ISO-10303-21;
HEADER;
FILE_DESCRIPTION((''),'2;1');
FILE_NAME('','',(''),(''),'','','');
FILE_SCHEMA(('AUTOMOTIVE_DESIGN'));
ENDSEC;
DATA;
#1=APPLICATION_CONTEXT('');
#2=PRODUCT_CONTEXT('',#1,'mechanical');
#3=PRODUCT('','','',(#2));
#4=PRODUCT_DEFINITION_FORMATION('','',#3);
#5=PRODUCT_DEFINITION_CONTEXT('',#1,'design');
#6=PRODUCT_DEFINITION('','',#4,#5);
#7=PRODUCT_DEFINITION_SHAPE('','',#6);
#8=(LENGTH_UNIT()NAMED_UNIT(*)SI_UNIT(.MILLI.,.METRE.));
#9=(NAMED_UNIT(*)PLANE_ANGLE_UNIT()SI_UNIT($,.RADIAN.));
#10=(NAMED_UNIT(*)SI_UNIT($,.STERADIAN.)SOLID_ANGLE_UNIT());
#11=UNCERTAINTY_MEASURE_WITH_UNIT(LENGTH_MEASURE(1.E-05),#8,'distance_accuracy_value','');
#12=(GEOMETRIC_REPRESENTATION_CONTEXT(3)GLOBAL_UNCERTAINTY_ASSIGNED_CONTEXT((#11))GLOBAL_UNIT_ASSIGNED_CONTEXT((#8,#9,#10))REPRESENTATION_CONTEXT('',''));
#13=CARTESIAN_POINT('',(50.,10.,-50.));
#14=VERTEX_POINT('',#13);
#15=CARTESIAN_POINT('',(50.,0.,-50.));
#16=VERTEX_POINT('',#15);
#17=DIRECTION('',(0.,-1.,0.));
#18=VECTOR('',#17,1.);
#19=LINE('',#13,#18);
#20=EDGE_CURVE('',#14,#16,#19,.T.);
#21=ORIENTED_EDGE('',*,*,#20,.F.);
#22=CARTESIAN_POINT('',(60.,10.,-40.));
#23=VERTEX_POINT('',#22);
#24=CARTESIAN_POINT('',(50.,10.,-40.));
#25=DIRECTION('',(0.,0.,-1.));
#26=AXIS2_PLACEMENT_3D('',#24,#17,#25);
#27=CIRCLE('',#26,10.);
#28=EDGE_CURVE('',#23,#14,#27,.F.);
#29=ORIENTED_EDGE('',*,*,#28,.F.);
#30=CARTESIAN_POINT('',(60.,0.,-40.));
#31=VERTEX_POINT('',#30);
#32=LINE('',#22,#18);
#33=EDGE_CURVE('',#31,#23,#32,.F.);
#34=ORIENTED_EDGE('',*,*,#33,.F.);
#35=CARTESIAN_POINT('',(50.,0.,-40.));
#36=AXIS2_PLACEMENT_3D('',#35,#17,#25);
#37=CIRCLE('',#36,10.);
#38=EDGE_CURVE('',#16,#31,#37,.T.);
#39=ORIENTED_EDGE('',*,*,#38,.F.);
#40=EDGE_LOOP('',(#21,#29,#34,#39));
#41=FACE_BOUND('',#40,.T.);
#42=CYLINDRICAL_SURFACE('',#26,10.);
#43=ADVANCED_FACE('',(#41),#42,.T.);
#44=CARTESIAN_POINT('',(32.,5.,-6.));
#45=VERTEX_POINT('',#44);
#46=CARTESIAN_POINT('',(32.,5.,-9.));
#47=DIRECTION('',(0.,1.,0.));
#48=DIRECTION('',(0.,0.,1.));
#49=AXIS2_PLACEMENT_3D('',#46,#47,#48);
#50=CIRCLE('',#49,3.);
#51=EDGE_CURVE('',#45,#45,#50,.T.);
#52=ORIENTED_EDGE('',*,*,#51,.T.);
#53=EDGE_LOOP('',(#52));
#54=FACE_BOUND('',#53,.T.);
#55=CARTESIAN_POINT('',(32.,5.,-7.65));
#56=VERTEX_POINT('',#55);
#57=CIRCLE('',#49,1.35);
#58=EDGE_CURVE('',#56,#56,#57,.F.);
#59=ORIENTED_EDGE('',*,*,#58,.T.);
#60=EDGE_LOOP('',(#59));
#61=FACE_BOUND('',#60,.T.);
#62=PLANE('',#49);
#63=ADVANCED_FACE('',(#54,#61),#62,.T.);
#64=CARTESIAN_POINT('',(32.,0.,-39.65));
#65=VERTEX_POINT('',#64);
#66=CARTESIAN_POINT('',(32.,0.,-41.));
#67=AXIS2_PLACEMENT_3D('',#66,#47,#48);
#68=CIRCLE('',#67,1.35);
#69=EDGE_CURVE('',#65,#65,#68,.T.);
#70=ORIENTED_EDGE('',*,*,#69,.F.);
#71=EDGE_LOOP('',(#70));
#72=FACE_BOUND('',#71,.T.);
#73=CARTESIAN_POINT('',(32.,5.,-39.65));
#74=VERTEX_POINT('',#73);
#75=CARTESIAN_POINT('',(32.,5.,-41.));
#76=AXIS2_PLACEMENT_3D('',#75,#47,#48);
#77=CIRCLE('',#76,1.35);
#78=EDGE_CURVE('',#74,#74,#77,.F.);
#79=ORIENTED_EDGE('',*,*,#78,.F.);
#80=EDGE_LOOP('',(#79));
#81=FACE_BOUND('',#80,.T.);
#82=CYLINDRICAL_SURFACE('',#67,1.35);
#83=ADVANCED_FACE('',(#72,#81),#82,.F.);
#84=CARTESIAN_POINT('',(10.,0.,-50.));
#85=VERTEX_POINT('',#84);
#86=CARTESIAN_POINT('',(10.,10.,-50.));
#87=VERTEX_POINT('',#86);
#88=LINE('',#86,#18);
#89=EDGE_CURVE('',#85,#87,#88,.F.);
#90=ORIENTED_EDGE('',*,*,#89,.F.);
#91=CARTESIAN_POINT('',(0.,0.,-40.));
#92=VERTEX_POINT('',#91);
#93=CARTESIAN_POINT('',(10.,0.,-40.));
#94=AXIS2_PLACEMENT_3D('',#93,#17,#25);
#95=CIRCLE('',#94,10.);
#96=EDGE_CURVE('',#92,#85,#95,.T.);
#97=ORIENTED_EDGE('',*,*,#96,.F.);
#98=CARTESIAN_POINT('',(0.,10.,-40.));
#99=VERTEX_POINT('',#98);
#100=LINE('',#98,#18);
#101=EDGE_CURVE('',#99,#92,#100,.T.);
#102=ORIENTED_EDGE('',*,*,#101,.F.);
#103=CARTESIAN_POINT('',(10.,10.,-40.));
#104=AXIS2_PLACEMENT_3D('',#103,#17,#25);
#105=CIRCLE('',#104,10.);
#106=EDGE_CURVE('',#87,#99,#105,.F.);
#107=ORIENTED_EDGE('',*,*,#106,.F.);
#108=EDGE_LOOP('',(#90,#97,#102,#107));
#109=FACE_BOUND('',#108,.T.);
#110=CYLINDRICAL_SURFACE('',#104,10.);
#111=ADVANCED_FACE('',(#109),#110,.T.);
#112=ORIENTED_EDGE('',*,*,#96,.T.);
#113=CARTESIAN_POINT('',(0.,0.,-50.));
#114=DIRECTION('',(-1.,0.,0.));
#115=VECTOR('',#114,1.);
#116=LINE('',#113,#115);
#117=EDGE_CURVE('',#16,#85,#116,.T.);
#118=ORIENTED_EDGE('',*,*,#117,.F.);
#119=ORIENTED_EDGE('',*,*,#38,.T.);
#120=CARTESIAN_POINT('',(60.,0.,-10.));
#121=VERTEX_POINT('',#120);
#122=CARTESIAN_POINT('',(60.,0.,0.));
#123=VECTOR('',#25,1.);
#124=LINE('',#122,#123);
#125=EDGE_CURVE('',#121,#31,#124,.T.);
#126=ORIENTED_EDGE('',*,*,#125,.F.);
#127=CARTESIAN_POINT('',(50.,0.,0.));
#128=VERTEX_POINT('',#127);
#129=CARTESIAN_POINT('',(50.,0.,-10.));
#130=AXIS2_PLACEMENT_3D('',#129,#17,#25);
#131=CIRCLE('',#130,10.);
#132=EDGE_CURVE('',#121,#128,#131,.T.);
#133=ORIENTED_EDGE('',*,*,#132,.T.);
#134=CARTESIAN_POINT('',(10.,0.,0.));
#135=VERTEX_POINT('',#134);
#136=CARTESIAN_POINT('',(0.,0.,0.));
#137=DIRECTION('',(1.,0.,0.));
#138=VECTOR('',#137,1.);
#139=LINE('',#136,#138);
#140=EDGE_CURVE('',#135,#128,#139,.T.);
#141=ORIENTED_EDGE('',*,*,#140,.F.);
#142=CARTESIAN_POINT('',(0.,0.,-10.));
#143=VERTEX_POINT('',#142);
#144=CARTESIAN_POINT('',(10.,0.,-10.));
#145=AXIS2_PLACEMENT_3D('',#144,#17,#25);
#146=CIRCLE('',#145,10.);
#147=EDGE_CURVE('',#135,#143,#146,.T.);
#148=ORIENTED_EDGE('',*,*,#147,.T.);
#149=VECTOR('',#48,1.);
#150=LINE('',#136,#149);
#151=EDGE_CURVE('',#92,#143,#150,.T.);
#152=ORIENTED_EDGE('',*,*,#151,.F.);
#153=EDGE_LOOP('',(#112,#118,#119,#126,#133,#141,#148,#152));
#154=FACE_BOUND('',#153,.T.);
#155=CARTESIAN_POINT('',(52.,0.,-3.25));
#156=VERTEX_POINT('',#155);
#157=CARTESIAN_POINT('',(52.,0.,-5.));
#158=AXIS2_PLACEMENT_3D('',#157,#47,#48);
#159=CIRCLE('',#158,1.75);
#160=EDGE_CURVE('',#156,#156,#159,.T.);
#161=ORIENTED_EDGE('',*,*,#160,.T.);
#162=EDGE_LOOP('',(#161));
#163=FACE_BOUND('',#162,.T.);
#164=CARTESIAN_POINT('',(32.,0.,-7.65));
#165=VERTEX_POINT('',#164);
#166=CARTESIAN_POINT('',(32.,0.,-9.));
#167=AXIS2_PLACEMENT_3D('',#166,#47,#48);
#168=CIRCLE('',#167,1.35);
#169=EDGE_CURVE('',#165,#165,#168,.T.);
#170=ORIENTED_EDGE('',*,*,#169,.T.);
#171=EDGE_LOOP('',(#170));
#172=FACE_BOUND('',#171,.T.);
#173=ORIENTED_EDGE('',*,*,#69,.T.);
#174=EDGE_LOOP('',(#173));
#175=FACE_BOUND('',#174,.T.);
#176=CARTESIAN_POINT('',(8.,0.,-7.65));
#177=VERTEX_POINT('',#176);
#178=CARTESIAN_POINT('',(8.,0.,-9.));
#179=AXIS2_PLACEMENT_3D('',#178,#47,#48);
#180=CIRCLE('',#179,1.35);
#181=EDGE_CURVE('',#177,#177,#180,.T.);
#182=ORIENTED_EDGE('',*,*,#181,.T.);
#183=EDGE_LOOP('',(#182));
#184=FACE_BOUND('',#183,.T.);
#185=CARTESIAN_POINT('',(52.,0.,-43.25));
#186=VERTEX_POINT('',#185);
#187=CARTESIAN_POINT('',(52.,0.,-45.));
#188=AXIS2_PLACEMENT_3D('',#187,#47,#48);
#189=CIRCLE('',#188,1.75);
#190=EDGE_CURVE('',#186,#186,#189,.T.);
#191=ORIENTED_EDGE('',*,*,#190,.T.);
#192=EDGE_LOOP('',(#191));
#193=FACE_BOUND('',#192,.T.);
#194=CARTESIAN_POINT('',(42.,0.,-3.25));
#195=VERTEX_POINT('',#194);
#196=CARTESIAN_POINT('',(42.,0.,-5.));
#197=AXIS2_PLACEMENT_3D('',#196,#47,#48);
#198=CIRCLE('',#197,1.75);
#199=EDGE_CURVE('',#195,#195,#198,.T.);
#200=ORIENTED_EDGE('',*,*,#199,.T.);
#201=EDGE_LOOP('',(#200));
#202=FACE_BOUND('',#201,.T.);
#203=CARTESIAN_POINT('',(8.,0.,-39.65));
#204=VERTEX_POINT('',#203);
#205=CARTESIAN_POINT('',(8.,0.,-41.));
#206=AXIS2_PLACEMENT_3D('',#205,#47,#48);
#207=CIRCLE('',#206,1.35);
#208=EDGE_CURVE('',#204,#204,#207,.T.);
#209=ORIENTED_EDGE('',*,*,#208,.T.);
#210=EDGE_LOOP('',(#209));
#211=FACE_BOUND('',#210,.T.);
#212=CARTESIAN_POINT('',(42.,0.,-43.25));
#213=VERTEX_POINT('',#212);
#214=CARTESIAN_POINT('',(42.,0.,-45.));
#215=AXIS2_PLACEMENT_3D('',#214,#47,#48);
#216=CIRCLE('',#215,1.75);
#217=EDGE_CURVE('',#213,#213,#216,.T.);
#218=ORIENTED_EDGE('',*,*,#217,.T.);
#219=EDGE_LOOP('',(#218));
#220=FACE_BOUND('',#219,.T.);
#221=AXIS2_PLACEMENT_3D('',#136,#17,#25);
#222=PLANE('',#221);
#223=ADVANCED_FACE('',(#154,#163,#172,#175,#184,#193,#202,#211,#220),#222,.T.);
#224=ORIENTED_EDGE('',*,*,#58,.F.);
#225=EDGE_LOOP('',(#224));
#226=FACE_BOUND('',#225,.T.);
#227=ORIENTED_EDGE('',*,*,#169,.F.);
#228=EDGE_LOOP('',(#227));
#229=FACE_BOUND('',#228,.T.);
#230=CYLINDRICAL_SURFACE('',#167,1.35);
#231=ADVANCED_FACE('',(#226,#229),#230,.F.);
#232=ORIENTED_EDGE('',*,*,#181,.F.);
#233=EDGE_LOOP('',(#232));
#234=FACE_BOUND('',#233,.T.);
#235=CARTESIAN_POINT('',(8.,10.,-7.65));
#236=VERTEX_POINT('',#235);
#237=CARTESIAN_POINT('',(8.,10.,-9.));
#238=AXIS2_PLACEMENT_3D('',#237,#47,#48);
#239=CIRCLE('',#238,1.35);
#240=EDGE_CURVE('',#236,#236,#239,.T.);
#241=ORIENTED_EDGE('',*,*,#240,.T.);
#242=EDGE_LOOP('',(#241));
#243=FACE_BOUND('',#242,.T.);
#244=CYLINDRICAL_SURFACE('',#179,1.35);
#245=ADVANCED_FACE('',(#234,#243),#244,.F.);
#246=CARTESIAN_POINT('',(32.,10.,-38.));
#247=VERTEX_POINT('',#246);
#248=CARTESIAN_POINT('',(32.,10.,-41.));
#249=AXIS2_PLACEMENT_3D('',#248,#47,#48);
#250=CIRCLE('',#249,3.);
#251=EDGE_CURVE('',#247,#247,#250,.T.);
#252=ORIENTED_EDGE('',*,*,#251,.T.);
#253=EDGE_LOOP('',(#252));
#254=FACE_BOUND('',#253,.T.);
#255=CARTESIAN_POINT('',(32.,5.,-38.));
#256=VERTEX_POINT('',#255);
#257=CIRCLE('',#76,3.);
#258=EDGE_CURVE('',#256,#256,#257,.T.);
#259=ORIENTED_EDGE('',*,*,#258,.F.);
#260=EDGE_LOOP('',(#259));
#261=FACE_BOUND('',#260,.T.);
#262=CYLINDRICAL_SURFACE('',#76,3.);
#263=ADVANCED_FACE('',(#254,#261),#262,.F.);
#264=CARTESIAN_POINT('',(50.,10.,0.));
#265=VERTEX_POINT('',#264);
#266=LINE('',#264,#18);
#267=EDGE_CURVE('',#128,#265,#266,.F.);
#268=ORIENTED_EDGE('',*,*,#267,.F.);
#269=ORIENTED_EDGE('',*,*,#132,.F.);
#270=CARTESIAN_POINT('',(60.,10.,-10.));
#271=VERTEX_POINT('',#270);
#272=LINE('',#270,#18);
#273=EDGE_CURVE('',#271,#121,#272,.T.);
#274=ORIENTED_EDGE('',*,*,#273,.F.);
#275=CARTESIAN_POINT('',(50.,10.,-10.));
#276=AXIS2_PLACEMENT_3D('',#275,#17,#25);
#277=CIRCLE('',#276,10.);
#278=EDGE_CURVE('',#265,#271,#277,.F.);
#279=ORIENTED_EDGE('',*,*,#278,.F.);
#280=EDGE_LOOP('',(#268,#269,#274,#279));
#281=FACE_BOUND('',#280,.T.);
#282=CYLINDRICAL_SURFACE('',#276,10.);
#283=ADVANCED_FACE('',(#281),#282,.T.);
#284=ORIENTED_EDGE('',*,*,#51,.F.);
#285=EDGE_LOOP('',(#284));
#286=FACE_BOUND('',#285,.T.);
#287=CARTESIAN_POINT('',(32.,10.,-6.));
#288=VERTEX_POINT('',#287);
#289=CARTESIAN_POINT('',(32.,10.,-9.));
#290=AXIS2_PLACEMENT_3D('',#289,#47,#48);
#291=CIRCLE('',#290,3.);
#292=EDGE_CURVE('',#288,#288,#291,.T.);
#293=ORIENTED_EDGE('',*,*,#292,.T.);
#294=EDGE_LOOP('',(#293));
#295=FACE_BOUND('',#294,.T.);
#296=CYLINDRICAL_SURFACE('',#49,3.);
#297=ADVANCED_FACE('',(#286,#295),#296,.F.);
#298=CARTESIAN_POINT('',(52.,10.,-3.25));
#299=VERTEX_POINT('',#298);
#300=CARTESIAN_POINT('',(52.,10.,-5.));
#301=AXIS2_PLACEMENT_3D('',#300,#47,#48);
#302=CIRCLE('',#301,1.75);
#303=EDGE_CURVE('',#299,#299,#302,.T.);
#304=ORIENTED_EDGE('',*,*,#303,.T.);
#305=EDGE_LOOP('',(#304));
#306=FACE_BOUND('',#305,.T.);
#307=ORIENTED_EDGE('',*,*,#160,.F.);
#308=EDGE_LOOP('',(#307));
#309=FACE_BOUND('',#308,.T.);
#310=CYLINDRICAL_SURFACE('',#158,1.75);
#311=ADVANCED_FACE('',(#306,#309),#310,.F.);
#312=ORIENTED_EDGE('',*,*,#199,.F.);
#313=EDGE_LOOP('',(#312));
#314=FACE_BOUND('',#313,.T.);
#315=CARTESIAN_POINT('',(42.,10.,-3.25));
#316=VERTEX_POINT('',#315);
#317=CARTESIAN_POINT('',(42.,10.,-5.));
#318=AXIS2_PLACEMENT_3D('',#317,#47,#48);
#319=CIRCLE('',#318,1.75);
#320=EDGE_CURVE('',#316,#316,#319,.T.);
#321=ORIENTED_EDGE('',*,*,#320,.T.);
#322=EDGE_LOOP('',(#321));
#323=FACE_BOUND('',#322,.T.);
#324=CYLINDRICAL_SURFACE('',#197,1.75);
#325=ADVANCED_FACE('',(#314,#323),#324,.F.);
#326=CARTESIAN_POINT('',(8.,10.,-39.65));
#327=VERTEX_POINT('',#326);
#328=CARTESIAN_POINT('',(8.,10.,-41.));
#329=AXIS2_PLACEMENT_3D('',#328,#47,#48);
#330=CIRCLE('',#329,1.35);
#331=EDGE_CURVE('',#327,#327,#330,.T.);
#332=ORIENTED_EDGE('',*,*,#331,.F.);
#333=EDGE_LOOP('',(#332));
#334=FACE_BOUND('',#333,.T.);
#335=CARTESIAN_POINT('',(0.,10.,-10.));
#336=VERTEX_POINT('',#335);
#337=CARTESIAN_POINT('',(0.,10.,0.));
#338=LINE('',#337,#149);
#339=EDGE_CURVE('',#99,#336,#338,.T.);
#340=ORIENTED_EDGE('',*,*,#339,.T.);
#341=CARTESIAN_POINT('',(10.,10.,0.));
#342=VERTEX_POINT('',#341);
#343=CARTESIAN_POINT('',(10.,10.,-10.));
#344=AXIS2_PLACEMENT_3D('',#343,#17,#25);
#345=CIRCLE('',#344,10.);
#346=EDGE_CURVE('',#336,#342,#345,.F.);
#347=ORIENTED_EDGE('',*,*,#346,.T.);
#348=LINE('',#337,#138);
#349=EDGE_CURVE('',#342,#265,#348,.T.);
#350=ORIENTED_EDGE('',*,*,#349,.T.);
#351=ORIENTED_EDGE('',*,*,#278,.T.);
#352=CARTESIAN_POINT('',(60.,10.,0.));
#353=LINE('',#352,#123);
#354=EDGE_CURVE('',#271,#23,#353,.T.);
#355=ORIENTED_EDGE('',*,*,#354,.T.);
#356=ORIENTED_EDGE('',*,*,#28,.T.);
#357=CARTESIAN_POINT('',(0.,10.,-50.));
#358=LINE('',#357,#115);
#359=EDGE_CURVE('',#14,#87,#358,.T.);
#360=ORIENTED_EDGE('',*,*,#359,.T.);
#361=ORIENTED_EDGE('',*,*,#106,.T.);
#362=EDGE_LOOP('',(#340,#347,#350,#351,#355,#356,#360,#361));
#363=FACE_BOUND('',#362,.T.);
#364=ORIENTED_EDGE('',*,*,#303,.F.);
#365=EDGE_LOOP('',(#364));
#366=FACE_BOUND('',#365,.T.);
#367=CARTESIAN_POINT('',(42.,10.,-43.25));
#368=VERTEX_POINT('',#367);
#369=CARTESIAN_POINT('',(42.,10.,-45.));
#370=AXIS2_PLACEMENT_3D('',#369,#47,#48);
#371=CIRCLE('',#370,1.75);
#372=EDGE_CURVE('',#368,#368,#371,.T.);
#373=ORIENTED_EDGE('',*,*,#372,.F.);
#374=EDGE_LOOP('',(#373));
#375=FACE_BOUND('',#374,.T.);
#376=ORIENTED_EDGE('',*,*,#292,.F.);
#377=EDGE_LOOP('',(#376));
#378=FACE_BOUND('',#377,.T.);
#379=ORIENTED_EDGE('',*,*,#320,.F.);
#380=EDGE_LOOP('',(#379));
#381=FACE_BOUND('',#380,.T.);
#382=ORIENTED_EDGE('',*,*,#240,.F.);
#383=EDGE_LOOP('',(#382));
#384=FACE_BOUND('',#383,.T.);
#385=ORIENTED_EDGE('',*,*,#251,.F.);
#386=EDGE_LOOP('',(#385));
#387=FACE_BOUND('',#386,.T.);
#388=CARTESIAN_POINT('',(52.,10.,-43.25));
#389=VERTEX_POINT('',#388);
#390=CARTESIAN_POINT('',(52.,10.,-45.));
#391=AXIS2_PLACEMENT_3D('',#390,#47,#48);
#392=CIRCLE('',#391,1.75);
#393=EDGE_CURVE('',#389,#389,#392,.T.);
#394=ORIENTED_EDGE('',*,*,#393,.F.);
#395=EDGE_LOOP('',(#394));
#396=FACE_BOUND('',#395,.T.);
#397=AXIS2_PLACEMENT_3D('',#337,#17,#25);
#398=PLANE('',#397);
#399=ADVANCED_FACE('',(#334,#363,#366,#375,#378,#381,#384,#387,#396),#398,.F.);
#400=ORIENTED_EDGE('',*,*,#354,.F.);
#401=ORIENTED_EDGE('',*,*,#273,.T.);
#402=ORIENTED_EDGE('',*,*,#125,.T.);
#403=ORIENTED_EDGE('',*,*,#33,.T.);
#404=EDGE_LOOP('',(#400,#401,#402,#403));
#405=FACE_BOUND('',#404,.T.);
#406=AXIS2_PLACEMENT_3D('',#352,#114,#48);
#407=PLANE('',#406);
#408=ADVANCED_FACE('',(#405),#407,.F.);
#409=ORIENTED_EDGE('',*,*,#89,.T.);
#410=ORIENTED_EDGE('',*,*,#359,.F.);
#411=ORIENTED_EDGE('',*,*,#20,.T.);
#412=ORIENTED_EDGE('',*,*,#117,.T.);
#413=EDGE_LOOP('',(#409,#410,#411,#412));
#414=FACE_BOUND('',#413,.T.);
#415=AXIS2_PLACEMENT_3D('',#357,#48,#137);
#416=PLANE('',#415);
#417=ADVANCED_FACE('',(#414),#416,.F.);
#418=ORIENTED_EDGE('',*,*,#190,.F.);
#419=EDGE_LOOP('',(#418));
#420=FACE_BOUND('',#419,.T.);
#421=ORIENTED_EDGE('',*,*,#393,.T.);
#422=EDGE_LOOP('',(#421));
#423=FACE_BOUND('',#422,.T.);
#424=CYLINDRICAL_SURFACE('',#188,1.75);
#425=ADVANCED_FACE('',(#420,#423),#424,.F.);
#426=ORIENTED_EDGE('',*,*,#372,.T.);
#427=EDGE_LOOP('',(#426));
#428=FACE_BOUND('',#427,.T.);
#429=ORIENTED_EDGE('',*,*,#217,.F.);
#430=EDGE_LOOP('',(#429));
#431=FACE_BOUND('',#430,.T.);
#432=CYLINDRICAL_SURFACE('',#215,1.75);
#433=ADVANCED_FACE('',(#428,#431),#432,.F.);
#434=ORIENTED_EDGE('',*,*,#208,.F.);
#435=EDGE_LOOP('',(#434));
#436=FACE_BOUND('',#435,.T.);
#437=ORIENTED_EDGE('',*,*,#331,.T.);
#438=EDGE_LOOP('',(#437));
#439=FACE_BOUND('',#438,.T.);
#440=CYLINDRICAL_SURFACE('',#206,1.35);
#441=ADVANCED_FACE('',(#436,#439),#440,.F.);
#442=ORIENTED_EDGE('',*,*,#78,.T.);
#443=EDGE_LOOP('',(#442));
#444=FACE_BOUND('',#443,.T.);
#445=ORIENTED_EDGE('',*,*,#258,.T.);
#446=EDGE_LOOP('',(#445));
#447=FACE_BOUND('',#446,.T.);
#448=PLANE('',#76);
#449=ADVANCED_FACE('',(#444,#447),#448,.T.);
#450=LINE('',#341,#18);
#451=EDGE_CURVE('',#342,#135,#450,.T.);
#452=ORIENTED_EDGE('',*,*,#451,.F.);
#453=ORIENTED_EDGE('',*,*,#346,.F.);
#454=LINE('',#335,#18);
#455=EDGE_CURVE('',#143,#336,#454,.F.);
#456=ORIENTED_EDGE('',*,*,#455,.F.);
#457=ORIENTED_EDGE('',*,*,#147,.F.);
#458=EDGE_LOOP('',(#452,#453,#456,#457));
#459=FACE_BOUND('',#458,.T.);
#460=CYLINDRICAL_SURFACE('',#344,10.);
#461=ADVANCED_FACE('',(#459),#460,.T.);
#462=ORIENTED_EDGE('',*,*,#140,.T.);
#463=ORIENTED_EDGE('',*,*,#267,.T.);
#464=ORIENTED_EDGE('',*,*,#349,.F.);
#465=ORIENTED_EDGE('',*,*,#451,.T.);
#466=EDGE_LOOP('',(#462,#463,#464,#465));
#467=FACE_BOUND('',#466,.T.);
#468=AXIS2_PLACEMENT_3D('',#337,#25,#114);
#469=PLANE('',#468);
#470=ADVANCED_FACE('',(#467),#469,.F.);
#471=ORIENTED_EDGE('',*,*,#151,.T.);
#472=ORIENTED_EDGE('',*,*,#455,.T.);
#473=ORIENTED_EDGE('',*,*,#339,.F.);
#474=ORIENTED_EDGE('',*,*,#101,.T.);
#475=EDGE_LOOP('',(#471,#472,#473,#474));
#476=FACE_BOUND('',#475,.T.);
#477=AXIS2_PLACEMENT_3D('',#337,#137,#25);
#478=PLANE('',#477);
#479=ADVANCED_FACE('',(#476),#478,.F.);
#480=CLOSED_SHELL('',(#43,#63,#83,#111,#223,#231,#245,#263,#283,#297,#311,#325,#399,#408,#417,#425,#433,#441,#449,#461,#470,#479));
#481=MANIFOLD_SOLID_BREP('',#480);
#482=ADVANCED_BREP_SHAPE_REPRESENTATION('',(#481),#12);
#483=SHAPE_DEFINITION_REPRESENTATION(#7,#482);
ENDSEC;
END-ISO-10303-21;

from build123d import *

# Parameters (mm, degrees)
SKETCH1_W           = 60
SKETCH1_H           = 50
BOSS_EXTRUDE1_DEPTH = 10
SKETCH2_R           = 1.35
CUT_EXTRUDE1_DEPTH  = 79.74007874
SKETCH3_R           = 1.75
CUT_EXTRUDE2_DEPTH  = 79.74007874
FILLET1_R           = 10
SKETCH4_R           = 3
CUT_EXTRUDE3_DEPTH  = 5


with BuildPart() as part:
    # Sketch1 → Boss-Extrude1 (new body)
    with BuildSketch(Plane(origin=(0, 0, 0), x_dir=(1, 0, 0), z_dir=(0, 1, 0))):
        with Locations((30, 25)):
            Rectangle(SKETCH1_W, SKETCH1_H)
    extrude(amount=BOSS_EXTRUDE1_DEPTH)

    # Sketch2 → Cut-Extrude1 (cut, through all)
    with BuildSketch(Plane(origin=(0, 10, 0), x_dir=(1, 0, 0), z_dir=(0, 1, 0))):
        with Locations(Location((8, 41, 0), (0, 0, 270))):
            Circle(SKETCH2_R)
        with Locations(Location((8, 9, 0), (0, 0, 270))):
            Circle(SKETCH2_R)
        with Locations(Location((32, 9, 0), (0, 0, 270))):
            Circle(SKETCH2_R)
        with Locations(Location((32, 41, 0), (0, 0, 270))):
            Circle(SKETCH2_R)
    extrude(amount=-CUT_EXTRUDE1_DEPTH, mode=Mode.SUBTRACT)

    # Sketch3 → Cut-Extrude2 (cut, through all)
    with BuildSketch(Plane(origin=(0, 10, 0), x_dir=(1, 0, 0), z_dir=(0, 1, 0))):
        with Locations(Location((42, 45, 0), (0, 0, 270))):
            Circle(SKETCH3_R)
        with Locations(Location((52, 45, 0), (0, 0, 270))):
            Circle(SKETCH3_R)
        with Locations(Location((52, 5, 0), (0, 0, 270))):
            Circle(SKETCH3_R)
        with Locations(Location((42, 5, 0), (0, 0, 270))):
            Circle(SKETCH3_R)
    extrude(amount=-CUT_EXTRUDE2_DEPTH, mode=Mode.SUBTRACT)

    # Fillet1
    fillet1_edges = [part.edges().sort_by_distance(p)[0] for p in [
        (0, 5, -50),
        (60, 5, -50),
        (60, 5, 0),
        (0, 5, 0),
    ]]
    fillet(fillet1_edges, radius=FILLET1_R)

    # Sketch4 → Cut-Extrude3 (cut)
    with BuildSketch(Plane(origin=(0, 10, 0), x_dir=(1, 0, 0), z_dir=(0, 1, 0))):
        with Locations(Location((32, 41, 0), (0, 0, 270))):
            Circle(SKETCH4_R)
        with Locations(Location((32, 9, 0), (0, 0, 270))):
            Circle(SKETCH4_R)
    extrude(amount=-CUT_EXTRUDE3_DEPTH, mode=Mode.SUBTRACT)


solid = part.part
